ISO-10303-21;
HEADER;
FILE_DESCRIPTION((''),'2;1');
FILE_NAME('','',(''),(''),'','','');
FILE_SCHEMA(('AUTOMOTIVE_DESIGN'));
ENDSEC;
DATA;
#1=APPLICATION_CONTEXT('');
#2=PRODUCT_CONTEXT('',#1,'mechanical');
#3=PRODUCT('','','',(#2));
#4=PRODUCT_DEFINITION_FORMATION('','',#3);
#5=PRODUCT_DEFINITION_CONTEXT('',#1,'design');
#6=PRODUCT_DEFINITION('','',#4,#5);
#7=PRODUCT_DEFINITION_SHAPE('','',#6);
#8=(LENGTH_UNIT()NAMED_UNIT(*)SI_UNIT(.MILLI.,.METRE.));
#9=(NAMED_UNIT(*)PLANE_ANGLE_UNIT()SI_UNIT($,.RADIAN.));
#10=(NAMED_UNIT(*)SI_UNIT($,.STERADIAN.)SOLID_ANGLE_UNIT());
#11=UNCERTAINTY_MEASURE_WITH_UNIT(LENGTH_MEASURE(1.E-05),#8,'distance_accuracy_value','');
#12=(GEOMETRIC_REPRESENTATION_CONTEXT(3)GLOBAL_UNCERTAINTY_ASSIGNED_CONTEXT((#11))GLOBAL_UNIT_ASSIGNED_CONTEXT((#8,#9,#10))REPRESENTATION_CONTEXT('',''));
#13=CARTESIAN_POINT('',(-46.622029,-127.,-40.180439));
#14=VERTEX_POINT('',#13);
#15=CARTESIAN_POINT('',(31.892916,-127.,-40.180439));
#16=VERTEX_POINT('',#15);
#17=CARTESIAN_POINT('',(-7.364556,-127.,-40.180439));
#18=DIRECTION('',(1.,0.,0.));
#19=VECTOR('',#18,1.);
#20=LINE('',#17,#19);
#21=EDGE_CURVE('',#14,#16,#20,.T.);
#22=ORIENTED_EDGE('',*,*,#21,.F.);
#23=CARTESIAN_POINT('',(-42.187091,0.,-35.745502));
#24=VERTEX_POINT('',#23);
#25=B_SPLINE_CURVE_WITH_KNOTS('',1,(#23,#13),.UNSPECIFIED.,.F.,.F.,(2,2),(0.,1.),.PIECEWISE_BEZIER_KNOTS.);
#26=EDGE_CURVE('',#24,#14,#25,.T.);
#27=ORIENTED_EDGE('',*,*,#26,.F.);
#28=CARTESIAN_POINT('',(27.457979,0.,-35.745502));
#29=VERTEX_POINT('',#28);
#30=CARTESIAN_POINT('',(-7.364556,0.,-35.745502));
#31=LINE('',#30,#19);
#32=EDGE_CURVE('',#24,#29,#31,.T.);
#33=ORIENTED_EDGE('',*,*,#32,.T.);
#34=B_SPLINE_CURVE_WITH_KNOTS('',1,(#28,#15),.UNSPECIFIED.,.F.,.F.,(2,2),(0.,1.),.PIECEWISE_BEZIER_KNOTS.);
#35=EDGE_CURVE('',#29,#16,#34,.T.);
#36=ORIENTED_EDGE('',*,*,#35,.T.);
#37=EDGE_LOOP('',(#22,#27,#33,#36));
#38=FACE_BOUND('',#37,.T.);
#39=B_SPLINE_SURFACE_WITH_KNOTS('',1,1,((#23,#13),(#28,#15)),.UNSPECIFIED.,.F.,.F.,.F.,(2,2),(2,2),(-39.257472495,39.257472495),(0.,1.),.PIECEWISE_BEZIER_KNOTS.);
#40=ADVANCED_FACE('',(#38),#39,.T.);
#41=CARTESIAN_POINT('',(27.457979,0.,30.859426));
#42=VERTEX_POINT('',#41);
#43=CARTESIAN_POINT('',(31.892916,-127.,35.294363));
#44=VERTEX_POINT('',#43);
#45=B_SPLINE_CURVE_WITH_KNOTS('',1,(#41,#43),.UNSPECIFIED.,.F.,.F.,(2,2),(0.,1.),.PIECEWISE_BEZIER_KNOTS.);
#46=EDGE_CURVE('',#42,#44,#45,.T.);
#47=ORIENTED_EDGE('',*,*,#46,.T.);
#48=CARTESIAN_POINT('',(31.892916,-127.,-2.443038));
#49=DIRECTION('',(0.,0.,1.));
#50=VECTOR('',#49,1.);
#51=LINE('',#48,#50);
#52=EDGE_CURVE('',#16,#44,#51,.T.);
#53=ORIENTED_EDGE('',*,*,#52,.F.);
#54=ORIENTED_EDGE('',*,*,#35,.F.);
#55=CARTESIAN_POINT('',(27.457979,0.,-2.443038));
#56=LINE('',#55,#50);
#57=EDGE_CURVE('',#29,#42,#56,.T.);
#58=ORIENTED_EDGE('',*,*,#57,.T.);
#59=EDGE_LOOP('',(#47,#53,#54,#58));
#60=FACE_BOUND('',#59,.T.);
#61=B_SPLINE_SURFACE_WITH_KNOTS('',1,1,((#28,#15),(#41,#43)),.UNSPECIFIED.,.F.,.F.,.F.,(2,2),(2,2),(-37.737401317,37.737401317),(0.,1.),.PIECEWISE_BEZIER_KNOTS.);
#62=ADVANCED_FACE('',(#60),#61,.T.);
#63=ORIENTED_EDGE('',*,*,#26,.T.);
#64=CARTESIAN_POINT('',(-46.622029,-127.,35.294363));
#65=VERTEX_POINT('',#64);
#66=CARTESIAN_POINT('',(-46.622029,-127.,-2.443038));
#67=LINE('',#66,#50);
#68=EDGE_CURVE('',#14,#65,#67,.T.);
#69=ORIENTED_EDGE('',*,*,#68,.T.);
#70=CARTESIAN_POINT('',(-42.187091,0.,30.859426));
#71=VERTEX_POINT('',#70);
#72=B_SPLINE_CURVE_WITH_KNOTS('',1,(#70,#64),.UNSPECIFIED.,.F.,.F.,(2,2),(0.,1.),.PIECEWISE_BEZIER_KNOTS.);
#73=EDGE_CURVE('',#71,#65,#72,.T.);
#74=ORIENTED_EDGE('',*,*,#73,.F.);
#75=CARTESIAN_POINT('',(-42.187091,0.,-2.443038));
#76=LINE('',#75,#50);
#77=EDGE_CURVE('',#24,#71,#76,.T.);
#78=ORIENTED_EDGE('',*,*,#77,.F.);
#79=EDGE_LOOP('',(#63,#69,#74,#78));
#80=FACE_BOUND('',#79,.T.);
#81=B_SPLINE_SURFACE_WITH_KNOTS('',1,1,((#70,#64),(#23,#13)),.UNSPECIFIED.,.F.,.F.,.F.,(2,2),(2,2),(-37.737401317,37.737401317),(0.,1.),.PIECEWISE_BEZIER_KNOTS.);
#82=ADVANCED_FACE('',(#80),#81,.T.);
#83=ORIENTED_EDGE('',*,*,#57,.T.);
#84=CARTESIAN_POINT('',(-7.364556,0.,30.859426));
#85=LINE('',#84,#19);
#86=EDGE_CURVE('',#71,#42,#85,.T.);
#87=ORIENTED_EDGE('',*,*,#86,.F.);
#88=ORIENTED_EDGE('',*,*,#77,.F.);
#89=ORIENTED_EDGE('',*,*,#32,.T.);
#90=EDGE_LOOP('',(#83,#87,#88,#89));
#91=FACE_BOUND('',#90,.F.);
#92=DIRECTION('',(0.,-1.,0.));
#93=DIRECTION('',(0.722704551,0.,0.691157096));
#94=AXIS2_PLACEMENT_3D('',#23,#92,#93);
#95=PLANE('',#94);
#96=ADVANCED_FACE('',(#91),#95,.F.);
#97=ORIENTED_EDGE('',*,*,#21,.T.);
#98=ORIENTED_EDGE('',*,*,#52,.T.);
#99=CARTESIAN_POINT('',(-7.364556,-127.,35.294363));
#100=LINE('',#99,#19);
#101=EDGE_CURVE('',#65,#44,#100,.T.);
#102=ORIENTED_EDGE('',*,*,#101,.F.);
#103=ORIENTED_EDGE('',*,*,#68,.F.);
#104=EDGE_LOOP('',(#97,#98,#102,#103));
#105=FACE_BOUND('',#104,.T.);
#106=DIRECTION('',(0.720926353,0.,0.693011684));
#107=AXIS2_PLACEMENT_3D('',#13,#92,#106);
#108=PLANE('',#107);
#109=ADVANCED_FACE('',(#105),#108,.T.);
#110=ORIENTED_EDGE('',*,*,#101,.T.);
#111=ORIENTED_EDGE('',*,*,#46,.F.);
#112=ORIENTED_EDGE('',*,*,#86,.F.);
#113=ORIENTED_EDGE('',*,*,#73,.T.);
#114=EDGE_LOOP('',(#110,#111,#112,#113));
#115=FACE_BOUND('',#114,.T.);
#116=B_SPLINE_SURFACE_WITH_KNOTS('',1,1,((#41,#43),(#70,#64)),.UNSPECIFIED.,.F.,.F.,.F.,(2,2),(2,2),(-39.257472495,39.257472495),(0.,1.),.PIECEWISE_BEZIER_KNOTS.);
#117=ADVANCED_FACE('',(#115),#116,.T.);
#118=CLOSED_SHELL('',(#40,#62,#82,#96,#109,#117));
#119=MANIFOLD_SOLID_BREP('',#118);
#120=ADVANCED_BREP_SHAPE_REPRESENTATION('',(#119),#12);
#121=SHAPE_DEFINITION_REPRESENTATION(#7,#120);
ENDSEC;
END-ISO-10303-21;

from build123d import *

# Parameters (mm, degrees)
F0_W     = 69.6450695395
F0_H     = 66.6049271822
F1_DEPTH = 127
F1_TAPER = -2


with BuildPart() as f1:
    # F0 (on Front) → F1 (new body)
    with BuildSketch(Plane.XZ):
        with Locations((-7.3645561934, -2.4430379272)):
            Rectangle(F0_W, F0_H)
    extrude(amount=F1_DEPTH, taper=F1_TAPER)


solid = f1.part
